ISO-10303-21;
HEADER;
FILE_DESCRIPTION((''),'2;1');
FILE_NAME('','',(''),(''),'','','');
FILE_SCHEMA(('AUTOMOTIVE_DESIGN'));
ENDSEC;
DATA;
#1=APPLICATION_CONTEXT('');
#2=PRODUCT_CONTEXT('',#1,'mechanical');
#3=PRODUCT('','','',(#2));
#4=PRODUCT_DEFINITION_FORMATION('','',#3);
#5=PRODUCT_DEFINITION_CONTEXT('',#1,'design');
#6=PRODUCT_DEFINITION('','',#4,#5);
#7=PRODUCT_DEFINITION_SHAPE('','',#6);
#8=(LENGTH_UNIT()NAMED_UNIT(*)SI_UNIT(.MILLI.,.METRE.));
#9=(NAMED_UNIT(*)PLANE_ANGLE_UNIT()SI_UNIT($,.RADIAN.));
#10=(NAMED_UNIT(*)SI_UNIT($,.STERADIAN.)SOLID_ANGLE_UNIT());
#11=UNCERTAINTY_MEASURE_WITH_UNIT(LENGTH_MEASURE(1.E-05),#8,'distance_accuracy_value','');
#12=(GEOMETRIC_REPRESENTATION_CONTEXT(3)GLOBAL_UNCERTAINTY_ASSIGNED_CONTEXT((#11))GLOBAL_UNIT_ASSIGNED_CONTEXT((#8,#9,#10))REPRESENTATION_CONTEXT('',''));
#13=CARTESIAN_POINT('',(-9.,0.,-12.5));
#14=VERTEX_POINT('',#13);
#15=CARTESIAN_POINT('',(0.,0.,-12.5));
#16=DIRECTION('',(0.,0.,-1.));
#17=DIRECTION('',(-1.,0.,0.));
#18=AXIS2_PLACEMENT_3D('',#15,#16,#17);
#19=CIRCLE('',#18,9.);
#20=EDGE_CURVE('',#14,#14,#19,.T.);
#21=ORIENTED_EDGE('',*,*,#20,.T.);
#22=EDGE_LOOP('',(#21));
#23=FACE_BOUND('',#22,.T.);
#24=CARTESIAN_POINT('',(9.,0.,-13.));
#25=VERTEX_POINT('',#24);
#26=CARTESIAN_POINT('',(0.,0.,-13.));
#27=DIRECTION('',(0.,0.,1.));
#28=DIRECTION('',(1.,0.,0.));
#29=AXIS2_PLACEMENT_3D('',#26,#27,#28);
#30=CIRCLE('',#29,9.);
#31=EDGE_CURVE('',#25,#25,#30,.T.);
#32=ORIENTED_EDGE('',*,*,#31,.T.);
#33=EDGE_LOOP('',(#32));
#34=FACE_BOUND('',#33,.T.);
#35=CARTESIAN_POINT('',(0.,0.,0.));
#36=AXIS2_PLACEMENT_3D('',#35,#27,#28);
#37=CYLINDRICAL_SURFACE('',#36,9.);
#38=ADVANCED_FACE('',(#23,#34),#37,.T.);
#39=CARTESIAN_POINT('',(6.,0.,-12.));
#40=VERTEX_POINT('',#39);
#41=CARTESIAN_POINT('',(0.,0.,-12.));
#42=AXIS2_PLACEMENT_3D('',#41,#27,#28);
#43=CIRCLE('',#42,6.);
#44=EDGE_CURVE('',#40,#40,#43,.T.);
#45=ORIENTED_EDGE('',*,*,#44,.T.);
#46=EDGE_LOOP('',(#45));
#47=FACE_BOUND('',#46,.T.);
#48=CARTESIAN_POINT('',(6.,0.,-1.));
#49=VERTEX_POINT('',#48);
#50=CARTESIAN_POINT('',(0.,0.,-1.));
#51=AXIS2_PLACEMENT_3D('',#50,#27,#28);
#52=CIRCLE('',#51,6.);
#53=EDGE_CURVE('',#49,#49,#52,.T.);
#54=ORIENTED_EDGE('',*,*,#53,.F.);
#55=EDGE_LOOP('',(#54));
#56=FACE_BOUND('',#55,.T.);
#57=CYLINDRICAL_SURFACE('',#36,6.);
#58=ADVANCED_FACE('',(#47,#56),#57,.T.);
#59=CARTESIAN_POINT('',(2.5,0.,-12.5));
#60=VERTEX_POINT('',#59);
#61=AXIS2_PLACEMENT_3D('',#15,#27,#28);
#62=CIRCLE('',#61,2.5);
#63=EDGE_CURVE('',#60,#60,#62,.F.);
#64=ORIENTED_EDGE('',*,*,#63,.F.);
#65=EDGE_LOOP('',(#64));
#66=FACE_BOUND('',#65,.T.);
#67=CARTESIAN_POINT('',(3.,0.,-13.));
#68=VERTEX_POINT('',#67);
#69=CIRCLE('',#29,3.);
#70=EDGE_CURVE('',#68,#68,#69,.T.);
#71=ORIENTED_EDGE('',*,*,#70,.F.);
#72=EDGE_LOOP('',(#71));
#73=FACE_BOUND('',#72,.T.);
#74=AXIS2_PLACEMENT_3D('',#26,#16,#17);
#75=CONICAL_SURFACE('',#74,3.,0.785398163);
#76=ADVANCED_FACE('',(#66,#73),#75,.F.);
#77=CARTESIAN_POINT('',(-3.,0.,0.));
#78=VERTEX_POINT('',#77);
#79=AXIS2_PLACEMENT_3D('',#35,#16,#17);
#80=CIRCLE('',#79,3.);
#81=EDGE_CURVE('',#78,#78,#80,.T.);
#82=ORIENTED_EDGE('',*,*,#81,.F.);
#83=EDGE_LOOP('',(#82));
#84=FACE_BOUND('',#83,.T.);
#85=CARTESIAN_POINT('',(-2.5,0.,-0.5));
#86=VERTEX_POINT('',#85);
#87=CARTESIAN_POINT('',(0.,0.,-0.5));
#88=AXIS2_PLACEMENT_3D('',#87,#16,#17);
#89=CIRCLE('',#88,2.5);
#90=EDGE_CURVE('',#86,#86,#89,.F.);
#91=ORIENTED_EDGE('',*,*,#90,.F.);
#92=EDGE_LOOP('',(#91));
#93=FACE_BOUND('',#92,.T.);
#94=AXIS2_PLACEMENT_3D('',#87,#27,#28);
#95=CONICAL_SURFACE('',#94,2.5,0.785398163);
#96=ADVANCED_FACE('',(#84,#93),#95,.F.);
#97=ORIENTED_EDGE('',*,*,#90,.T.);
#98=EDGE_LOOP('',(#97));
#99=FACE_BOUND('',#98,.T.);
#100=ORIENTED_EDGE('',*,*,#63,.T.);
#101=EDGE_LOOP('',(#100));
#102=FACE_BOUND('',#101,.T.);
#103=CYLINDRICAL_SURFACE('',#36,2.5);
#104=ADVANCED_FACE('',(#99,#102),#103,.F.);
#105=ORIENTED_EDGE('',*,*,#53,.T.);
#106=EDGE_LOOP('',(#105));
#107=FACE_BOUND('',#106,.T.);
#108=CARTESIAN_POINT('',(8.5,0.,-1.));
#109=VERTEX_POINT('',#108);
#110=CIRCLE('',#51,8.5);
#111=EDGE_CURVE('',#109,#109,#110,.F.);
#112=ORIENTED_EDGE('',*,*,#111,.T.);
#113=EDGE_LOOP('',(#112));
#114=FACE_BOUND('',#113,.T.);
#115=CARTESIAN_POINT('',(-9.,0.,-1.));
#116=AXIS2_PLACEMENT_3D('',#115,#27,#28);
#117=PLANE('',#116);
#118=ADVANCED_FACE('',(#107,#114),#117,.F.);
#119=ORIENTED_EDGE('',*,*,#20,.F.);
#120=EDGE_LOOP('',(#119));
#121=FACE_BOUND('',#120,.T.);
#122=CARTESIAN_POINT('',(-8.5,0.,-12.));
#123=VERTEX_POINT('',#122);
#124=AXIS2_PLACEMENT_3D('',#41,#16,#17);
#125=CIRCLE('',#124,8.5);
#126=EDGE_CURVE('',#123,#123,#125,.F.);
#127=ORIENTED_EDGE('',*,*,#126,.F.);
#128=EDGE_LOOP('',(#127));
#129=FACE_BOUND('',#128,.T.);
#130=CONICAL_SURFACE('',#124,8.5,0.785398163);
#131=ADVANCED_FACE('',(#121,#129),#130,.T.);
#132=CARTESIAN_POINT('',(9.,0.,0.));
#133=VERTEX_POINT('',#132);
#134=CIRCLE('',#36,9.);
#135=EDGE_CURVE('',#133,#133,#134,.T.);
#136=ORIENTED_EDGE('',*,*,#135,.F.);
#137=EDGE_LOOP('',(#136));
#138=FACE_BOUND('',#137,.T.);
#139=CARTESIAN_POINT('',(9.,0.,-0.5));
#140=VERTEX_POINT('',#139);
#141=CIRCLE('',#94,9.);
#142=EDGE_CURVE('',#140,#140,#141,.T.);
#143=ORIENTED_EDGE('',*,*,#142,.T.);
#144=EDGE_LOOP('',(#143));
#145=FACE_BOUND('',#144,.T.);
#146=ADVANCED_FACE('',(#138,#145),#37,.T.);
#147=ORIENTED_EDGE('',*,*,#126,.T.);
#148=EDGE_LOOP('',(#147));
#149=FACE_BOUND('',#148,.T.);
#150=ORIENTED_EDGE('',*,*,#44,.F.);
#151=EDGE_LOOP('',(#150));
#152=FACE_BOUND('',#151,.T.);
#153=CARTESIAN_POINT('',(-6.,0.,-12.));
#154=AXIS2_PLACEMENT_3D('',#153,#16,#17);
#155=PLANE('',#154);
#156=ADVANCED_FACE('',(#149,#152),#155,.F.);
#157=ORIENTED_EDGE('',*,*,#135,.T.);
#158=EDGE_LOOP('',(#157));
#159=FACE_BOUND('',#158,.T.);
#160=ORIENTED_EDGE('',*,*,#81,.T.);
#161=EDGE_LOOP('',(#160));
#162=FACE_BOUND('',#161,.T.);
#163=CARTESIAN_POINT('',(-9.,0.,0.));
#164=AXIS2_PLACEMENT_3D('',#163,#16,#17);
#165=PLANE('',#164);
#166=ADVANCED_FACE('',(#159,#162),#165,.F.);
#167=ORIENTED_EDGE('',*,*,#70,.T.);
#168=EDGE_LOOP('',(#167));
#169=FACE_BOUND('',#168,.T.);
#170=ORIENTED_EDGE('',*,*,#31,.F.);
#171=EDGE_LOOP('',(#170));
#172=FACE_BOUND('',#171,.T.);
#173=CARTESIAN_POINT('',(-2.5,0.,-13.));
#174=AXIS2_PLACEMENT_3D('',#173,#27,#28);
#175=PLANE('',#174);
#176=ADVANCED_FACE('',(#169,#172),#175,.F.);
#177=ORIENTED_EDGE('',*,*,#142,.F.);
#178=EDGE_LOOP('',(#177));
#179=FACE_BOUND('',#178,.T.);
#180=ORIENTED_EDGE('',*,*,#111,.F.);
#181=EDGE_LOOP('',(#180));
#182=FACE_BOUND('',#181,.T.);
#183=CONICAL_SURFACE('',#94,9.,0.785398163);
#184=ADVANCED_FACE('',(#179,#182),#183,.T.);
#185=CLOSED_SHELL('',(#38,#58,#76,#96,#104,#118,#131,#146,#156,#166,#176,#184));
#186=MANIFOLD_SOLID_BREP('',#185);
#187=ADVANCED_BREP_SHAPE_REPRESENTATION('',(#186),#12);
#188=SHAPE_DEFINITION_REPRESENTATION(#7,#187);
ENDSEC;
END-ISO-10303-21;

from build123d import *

# Parameters (mm, degrees)
CHAMFER1_SIZE = 0.5


with BuildPart() as part:
    # Sketch1 → Revolve1 (revolve)
    with BuildSketch(Plane(origin=(0, 0, 0), x_dir=(1, 0, 0), z_dir=(0, 1, 0))):
        Polygon((-2.5, 0), (-2.5, 13), (-9, 13), (-9, 12), (-6, 12), (-6, 1), (-9, 1), (-9, 0), align=None)
    revolve(axis=Axis((0, 0, 0), (0, 0, -1)))

    # Chamfer1
    chamfer1_edges = [part.edges().sort_by_distance(p)[0] for p in [
        (2.5, 0, -13),
        (2.5, 0, 0),
        (9, 0, -1),
        (9, 0, -12),
    ]]
    chamfer(chamfer1_edges, length=CHAMFER1_SIZE)


solid = part.part
